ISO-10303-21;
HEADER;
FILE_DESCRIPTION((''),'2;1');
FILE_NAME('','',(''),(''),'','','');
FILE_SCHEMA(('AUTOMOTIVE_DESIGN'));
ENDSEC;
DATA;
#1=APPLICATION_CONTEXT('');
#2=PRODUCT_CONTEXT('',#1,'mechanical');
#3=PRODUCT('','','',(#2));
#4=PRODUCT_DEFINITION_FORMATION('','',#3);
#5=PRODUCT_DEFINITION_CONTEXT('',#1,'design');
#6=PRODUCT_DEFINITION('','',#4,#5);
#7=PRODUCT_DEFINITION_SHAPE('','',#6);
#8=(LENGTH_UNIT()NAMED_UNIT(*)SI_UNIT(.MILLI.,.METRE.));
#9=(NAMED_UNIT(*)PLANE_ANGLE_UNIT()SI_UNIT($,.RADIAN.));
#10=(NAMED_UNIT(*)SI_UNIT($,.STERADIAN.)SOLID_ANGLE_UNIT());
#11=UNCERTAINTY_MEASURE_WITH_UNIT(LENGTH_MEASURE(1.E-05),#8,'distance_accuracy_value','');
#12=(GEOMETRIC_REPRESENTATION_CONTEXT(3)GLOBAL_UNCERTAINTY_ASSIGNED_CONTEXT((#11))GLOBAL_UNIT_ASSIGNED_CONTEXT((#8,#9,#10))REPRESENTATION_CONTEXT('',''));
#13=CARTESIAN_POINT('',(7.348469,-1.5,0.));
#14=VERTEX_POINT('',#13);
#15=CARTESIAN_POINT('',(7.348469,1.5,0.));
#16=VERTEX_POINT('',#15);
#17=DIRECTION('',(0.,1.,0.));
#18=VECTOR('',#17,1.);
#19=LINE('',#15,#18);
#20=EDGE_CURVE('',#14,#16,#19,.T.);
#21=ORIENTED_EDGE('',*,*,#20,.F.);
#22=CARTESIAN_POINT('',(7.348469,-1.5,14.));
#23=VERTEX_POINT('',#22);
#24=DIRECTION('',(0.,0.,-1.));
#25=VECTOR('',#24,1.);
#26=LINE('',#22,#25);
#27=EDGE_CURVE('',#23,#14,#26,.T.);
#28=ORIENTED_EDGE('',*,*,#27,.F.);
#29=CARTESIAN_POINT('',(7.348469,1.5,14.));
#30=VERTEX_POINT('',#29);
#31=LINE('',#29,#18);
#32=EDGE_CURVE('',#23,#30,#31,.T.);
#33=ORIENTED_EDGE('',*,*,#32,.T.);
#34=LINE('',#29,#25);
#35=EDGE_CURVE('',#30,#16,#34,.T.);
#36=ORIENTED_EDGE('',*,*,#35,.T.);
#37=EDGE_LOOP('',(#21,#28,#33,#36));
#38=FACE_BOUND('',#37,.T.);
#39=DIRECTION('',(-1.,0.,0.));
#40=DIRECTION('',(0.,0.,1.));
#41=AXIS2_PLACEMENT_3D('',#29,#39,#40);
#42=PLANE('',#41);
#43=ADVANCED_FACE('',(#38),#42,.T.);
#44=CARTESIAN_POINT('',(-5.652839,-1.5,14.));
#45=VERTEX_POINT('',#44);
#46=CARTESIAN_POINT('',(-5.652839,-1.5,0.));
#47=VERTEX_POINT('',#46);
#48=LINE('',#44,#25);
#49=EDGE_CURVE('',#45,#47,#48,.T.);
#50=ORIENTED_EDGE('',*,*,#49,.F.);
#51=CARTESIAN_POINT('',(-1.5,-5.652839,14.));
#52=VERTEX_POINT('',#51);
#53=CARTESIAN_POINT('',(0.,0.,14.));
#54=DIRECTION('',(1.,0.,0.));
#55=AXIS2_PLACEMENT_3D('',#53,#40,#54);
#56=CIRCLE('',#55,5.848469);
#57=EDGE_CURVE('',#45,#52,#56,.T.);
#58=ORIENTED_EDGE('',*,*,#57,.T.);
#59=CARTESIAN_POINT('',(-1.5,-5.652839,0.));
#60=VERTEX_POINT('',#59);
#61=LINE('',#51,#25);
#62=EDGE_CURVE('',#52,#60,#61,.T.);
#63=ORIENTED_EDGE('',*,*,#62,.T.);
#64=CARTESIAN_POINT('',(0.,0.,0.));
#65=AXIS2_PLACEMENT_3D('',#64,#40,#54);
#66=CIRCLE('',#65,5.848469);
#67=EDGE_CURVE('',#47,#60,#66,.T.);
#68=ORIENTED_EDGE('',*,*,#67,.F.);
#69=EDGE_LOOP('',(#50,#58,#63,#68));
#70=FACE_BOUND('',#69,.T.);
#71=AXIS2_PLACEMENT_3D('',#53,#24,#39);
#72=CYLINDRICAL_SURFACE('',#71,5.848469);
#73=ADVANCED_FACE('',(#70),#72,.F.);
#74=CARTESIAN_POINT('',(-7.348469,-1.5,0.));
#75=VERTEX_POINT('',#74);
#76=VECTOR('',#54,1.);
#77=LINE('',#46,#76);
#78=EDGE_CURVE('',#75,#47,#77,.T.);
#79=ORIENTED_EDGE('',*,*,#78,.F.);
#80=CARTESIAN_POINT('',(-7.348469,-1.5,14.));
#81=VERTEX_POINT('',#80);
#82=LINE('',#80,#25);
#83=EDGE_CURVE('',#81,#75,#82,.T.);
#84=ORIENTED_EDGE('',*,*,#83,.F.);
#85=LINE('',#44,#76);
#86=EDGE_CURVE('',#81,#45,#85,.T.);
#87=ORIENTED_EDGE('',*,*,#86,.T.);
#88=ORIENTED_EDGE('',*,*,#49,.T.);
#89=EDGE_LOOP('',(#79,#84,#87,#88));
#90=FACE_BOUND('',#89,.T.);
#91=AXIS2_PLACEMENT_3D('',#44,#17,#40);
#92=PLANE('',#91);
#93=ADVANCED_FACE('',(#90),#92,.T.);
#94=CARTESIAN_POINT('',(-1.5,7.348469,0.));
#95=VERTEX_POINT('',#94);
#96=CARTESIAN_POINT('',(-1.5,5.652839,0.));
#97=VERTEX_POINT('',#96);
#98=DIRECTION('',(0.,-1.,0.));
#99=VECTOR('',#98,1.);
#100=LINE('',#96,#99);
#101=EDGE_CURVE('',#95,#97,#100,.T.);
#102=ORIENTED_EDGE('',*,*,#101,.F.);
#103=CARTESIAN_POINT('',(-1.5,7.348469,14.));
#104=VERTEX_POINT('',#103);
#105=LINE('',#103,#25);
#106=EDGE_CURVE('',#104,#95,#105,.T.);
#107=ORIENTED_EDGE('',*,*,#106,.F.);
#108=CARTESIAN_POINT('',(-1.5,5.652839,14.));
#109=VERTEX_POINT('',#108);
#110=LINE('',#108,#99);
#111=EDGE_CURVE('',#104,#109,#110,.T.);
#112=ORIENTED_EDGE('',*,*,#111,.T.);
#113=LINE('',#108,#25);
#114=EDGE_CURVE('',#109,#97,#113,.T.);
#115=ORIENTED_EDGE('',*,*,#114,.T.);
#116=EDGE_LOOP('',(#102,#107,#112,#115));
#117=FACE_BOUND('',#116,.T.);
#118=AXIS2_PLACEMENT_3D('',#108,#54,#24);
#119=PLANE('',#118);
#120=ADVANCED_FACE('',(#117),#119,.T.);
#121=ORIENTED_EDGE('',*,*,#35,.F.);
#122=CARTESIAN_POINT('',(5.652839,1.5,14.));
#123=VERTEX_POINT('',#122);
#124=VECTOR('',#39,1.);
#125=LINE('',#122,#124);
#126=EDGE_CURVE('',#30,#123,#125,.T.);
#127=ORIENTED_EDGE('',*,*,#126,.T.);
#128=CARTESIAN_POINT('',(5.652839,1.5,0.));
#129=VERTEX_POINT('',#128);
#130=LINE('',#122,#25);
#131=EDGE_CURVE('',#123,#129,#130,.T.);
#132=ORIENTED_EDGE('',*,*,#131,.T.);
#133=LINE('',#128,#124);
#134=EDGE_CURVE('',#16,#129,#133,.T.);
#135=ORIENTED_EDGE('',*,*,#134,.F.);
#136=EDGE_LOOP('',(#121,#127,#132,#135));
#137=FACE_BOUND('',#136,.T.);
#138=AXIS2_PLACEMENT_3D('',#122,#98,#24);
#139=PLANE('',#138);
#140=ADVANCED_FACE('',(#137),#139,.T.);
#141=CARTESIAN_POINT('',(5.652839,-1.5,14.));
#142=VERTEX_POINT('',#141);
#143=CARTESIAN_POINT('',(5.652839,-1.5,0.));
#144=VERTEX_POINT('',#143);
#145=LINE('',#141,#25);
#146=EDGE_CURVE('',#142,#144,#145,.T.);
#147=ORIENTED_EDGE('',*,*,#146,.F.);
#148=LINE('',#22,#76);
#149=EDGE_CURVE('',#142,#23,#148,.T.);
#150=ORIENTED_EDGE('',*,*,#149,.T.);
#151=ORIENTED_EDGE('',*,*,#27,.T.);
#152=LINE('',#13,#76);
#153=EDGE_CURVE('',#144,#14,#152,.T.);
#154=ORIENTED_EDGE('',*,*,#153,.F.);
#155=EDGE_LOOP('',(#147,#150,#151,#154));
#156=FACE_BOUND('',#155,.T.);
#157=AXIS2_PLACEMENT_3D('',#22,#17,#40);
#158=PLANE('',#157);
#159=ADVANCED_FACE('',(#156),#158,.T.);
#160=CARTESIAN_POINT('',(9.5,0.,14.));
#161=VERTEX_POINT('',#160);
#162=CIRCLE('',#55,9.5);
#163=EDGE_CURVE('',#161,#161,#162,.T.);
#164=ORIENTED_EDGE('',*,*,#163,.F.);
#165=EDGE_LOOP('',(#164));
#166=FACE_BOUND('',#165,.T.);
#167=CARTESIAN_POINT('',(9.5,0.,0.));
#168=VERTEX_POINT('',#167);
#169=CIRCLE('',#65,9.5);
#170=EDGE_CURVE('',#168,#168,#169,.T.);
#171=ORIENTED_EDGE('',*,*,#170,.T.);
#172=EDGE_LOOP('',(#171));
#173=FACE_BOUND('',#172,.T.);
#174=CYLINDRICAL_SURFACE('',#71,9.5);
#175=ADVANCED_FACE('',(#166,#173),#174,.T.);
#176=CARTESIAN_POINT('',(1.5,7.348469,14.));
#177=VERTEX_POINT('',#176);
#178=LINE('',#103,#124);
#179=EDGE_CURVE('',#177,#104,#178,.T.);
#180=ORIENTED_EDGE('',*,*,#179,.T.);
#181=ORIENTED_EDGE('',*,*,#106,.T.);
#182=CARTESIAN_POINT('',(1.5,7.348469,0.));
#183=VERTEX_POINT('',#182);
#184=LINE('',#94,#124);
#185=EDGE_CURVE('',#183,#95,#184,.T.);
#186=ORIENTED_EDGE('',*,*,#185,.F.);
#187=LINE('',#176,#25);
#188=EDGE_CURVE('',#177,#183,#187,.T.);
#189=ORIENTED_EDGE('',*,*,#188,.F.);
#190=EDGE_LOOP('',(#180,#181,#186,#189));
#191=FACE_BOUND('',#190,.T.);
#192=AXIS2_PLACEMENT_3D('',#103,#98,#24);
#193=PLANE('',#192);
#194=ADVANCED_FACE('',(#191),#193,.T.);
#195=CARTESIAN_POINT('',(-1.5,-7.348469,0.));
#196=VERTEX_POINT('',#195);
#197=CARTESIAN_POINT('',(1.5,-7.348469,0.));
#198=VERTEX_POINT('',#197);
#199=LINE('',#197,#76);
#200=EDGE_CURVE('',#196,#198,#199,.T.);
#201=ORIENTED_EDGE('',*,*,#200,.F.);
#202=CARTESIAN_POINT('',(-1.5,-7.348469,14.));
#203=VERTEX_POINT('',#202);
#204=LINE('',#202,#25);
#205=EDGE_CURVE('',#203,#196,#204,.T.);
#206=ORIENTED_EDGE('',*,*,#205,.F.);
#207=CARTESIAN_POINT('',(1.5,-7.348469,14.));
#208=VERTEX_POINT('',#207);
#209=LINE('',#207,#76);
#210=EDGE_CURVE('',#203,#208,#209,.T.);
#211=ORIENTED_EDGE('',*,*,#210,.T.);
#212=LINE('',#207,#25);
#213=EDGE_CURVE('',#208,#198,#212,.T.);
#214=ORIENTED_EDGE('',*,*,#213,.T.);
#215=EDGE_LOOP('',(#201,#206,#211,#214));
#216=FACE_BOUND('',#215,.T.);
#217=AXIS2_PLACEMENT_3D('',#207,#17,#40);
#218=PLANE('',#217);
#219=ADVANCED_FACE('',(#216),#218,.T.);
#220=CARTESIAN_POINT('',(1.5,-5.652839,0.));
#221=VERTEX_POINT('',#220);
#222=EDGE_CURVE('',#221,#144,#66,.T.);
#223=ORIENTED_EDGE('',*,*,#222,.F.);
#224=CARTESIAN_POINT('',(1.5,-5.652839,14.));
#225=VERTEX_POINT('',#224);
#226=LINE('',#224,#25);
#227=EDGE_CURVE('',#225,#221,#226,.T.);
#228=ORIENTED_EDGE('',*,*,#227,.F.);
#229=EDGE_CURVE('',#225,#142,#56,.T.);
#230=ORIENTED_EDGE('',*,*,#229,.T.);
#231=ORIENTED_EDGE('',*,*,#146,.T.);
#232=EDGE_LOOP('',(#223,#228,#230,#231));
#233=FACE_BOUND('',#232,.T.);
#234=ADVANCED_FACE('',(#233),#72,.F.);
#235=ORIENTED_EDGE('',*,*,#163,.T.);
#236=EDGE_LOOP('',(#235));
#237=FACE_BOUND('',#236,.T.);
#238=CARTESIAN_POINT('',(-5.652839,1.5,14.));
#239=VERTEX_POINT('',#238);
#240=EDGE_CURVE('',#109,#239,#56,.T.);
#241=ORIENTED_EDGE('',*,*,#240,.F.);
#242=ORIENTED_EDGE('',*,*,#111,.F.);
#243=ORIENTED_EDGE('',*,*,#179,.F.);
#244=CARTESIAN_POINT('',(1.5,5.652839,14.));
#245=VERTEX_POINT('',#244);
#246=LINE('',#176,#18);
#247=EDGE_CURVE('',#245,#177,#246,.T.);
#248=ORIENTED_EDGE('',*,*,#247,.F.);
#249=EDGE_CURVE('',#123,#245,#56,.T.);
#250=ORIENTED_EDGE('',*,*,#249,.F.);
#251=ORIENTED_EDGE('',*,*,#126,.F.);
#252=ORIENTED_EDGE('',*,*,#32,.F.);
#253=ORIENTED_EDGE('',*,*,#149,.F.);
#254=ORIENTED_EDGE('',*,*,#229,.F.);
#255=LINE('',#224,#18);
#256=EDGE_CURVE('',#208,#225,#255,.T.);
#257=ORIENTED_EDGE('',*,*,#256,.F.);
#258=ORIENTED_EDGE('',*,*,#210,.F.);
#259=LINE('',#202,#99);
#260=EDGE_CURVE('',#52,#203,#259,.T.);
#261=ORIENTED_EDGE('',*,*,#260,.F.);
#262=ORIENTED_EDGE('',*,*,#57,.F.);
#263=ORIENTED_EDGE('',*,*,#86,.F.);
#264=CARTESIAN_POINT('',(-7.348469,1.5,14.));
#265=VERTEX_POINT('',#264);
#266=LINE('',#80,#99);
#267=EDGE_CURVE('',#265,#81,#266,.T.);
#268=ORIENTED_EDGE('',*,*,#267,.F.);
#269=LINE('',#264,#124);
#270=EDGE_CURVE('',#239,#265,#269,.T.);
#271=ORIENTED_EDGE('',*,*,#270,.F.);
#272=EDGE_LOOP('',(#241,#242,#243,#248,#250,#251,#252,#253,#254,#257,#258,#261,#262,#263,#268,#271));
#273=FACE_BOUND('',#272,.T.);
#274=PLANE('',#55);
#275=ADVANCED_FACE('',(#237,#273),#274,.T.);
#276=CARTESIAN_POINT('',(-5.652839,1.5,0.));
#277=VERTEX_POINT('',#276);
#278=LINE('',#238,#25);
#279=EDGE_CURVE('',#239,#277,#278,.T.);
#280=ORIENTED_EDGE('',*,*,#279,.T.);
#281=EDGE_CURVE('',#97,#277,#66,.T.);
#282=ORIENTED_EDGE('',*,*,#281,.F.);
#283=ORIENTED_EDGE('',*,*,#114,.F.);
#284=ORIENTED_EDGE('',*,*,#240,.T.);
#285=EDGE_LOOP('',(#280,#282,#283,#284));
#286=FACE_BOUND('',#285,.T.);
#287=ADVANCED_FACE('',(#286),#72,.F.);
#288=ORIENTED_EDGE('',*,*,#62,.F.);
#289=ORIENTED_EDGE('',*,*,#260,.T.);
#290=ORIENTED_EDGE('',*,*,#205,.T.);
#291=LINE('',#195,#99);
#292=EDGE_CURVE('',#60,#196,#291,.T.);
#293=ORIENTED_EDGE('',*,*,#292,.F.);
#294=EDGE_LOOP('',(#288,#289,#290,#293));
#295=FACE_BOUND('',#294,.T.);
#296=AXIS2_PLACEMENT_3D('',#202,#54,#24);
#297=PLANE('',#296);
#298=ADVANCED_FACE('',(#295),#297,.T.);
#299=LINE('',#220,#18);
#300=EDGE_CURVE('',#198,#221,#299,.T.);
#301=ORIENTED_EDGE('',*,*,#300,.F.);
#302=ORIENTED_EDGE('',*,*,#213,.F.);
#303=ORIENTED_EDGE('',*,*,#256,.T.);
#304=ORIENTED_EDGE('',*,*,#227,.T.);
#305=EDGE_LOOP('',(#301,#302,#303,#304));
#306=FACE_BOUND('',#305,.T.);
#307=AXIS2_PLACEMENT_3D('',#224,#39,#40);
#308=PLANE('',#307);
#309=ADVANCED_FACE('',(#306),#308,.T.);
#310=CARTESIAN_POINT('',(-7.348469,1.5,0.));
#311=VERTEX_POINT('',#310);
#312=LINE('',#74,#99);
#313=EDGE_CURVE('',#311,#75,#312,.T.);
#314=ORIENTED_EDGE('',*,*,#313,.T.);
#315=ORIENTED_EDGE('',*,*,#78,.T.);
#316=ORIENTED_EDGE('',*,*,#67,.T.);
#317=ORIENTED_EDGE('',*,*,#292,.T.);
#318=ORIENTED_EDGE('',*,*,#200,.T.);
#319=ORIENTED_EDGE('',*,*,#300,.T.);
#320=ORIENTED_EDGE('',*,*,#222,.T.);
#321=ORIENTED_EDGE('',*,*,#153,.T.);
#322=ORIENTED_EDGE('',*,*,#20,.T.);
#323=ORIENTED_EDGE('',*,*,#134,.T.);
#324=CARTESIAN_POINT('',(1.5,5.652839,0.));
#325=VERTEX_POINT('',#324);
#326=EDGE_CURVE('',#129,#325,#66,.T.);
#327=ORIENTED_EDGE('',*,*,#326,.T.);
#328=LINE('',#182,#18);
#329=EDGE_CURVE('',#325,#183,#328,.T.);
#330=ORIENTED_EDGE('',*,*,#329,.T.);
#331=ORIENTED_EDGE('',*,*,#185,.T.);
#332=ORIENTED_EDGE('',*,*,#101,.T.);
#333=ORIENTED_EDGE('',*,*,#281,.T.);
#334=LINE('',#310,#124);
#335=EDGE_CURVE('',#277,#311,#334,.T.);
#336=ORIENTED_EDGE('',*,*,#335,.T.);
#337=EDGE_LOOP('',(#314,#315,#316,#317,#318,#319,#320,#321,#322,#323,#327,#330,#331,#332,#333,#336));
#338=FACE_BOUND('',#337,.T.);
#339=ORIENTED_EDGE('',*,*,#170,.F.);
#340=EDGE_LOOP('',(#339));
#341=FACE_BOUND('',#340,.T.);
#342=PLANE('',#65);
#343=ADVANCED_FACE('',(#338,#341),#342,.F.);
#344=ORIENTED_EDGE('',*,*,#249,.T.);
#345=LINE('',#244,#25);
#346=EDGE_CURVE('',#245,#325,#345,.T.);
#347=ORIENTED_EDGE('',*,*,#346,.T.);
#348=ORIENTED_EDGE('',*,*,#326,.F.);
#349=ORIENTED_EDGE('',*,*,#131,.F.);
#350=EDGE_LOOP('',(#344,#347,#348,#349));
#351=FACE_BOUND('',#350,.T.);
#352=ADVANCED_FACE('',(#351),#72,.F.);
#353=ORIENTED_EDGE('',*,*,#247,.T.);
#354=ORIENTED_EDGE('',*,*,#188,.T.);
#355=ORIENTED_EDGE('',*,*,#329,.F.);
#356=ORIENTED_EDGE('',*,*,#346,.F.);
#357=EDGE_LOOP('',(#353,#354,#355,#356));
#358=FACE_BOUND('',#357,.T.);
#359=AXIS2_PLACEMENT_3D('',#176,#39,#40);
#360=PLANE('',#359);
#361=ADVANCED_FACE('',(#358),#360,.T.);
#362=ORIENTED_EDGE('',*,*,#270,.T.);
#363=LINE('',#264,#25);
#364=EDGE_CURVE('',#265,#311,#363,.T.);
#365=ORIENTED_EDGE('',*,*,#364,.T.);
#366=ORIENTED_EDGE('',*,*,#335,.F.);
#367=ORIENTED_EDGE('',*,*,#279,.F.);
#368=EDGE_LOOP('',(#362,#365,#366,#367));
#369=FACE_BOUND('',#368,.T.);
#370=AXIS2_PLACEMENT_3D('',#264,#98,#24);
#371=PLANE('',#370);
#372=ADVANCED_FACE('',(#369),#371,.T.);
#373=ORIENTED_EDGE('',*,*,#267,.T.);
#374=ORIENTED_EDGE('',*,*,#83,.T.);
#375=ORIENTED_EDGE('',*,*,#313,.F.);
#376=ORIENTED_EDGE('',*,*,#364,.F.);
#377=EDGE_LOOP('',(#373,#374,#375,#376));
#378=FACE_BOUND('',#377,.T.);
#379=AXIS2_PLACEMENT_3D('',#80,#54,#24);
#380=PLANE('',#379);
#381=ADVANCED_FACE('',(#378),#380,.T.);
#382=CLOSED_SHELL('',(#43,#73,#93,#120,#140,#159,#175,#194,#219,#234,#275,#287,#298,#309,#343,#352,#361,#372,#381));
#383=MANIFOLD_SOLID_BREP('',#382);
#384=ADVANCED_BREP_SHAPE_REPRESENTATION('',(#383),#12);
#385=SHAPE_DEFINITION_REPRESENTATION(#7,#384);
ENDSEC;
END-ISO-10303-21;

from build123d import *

# Parameters (mm, degrees)
SKETCH1_R           = 9.5
BOSS_EXTRUDE1_DEPTH = 14


with BuildPart() as part:
    # Sketch1 → Boss-Extrude1 (new body)
    with BuildSketch(Plane.XY):
        Circle(SKETCH1_R)
        with BuildLine():
            Line((-1.5, 5.652839314), (-1.5, 7.348469228))
            Line((-1.5, 7.348469228), (1.5, 7.348469228))
            Line((1.5, 7.348469228), (1.5, 5.652839314))
            ThreePointArc((1.5, 5.652839314), (4.135492251, 4.135492251), (5.652839314, 1.5))
            Line((5.652839314, 1.5), (7.348469228, 1.5))
            Line((7.348469228, 1.5), (7.348469228, -1.5))
            Line((7.348469228, -1.5), (5.652839314, -1.5))
            ThreePointArc((5.652839314, -1.5), (4.135492251, -4.135492251), (1.5, -5.652839314))
            Line((1.5, -5.652839314), (1.5, -7.348469228))
            Line((1.5, -7.348469228), (-1.5, -7.348469228))
            Line((-1.5, -7.348469228), (-1.5, -5.652839314))
            ThreePointArc((-1.5, -5.652839314), (-4.135492251, -4.135492251), (-5.652839314, -1.5))
            Line((-5.652839314, -1.5), (-7.348469228, -1.5))
            Line((-7.348469228, -1.5), (-7.348469228, 1.5))
            Line((-7.348469228, 1.5), (-5.652839314, 1.5))
            ThreePointArc((-5.652839314, 1.5), (-4.135492251, 4.135492251), (-1.5, 5.652839314))
        make_face(mode=Mode.SUBTRACT)
    extrude(amount=BOSS_EXTRUDE1_DEPTH)


solid = part.part
